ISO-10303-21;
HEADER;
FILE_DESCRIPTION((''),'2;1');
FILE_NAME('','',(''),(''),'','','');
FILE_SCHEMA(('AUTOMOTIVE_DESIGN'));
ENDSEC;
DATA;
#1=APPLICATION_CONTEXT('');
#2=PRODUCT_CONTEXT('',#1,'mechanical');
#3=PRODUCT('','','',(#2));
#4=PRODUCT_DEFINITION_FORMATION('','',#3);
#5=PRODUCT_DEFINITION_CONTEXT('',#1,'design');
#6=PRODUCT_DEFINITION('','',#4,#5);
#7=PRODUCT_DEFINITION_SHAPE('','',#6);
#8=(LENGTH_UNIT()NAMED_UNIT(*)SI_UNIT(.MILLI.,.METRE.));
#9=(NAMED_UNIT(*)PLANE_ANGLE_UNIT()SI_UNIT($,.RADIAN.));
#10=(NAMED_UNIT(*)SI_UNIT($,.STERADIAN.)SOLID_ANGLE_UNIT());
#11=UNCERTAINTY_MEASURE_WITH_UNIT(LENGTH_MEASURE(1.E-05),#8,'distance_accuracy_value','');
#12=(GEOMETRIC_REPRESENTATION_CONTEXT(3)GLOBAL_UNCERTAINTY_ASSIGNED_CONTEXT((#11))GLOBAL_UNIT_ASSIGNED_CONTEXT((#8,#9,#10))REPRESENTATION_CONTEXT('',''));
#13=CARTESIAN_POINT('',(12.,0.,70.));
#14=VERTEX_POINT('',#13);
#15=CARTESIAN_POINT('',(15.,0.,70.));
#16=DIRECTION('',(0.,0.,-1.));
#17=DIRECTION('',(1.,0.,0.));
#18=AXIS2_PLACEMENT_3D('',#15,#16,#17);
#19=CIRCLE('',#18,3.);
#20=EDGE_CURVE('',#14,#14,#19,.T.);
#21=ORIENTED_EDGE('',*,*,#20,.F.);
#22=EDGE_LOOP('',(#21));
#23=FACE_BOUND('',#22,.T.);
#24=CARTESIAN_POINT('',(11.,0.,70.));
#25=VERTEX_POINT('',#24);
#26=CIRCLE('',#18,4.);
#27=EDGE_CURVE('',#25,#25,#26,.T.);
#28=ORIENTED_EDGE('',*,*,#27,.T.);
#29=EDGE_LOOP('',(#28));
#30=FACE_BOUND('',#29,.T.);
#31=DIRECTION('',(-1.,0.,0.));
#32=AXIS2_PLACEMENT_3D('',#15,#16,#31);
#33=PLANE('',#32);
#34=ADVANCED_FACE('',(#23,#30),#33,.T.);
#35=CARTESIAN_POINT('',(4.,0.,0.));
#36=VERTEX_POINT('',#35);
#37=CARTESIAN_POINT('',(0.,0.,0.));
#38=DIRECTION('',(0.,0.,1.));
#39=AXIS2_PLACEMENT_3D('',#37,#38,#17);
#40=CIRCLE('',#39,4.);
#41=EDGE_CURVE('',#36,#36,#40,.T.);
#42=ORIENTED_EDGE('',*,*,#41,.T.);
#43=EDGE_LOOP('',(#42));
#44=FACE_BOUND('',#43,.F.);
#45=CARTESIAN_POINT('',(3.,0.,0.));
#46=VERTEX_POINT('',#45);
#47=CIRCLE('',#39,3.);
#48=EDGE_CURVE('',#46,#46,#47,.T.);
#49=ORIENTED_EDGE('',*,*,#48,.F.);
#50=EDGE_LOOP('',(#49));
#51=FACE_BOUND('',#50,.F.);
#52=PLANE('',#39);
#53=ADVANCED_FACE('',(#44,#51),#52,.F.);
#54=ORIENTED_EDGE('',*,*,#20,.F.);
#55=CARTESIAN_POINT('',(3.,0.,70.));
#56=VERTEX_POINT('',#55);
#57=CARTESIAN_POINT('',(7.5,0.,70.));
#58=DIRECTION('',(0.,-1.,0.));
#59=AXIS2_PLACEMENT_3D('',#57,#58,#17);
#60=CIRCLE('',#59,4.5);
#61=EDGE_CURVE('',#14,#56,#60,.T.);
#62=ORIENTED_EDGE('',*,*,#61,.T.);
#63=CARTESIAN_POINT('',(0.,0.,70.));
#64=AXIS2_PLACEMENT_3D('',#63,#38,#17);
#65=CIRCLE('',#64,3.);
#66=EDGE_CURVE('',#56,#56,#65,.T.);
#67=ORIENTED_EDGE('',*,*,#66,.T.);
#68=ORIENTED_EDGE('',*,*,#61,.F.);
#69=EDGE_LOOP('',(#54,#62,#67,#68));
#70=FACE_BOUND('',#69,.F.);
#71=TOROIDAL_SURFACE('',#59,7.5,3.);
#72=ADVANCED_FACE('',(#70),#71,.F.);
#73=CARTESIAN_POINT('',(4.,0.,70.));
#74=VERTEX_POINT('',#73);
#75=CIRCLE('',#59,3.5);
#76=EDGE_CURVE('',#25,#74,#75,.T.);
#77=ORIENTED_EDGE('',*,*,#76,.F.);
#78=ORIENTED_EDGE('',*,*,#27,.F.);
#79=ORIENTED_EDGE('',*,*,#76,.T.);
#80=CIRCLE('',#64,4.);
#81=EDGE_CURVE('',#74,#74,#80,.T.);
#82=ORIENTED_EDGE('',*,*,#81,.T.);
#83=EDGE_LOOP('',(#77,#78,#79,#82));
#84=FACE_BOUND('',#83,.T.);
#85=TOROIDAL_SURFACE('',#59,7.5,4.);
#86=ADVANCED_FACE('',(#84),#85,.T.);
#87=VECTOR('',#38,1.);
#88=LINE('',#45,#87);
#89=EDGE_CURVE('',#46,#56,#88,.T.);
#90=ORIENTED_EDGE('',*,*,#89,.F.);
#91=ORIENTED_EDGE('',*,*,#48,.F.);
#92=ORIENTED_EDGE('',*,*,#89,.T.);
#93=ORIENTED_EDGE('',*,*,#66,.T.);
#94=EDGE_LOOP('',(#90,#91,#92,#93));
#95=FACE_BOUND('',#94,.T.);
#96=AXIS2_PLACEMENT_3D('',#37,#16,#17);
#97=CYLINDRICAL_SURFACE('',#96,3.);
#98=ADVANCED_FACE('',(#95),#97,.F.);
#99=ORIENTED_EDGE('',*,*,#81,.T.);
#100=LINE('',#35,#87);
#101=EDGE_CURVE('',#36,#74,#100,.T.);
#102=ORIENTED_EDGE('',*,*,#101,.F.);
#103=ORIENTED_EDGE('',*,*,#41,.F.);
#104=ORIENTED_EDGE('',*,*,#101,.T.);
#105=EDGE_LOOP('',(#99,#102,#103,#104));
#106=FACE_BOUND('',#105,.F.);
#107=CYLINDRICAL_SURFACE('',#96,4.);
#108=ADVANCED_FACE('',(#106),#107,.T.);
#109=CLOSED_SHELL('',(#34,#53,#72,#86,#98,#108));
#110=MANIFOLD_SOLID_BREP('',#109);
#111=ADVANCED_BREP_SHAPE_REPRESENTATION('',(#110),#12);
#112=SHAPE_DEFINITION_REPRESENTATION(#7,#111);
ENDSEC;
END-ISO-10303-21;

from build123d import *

# Parameters (mm, degrees)
F0_R     = 4
F0_R_2   = 3
F1_DEPTH = 70
F2_R     = 4
F2_R_2   = 3


with BuildPart() as f1:
    # F0 (on Top) → F1 (new body)
    with BuildSketch(Plane.XY):
        Circle(F0_R)
        Circle(F0_R_2, mode=Mode.SUBTRACT)
    extrude(amount=F1_DEPTH)

    # F4: sweep along a path in F3
    with BuildLine(Plane.XZ) as f4_path:
        ThreePointArc((15, 70), (7.5, 77.5), (0, 70))
    # F2 (on face) → F4 (sweep)
    with BuildSketch(Plane.XY.offset(70)):
        Circle(F2_R)
        Circle(F2_R_2, mode=Mode.SUBTRACT)
    sweep(path=f4_path.line)


solid = f1.part
